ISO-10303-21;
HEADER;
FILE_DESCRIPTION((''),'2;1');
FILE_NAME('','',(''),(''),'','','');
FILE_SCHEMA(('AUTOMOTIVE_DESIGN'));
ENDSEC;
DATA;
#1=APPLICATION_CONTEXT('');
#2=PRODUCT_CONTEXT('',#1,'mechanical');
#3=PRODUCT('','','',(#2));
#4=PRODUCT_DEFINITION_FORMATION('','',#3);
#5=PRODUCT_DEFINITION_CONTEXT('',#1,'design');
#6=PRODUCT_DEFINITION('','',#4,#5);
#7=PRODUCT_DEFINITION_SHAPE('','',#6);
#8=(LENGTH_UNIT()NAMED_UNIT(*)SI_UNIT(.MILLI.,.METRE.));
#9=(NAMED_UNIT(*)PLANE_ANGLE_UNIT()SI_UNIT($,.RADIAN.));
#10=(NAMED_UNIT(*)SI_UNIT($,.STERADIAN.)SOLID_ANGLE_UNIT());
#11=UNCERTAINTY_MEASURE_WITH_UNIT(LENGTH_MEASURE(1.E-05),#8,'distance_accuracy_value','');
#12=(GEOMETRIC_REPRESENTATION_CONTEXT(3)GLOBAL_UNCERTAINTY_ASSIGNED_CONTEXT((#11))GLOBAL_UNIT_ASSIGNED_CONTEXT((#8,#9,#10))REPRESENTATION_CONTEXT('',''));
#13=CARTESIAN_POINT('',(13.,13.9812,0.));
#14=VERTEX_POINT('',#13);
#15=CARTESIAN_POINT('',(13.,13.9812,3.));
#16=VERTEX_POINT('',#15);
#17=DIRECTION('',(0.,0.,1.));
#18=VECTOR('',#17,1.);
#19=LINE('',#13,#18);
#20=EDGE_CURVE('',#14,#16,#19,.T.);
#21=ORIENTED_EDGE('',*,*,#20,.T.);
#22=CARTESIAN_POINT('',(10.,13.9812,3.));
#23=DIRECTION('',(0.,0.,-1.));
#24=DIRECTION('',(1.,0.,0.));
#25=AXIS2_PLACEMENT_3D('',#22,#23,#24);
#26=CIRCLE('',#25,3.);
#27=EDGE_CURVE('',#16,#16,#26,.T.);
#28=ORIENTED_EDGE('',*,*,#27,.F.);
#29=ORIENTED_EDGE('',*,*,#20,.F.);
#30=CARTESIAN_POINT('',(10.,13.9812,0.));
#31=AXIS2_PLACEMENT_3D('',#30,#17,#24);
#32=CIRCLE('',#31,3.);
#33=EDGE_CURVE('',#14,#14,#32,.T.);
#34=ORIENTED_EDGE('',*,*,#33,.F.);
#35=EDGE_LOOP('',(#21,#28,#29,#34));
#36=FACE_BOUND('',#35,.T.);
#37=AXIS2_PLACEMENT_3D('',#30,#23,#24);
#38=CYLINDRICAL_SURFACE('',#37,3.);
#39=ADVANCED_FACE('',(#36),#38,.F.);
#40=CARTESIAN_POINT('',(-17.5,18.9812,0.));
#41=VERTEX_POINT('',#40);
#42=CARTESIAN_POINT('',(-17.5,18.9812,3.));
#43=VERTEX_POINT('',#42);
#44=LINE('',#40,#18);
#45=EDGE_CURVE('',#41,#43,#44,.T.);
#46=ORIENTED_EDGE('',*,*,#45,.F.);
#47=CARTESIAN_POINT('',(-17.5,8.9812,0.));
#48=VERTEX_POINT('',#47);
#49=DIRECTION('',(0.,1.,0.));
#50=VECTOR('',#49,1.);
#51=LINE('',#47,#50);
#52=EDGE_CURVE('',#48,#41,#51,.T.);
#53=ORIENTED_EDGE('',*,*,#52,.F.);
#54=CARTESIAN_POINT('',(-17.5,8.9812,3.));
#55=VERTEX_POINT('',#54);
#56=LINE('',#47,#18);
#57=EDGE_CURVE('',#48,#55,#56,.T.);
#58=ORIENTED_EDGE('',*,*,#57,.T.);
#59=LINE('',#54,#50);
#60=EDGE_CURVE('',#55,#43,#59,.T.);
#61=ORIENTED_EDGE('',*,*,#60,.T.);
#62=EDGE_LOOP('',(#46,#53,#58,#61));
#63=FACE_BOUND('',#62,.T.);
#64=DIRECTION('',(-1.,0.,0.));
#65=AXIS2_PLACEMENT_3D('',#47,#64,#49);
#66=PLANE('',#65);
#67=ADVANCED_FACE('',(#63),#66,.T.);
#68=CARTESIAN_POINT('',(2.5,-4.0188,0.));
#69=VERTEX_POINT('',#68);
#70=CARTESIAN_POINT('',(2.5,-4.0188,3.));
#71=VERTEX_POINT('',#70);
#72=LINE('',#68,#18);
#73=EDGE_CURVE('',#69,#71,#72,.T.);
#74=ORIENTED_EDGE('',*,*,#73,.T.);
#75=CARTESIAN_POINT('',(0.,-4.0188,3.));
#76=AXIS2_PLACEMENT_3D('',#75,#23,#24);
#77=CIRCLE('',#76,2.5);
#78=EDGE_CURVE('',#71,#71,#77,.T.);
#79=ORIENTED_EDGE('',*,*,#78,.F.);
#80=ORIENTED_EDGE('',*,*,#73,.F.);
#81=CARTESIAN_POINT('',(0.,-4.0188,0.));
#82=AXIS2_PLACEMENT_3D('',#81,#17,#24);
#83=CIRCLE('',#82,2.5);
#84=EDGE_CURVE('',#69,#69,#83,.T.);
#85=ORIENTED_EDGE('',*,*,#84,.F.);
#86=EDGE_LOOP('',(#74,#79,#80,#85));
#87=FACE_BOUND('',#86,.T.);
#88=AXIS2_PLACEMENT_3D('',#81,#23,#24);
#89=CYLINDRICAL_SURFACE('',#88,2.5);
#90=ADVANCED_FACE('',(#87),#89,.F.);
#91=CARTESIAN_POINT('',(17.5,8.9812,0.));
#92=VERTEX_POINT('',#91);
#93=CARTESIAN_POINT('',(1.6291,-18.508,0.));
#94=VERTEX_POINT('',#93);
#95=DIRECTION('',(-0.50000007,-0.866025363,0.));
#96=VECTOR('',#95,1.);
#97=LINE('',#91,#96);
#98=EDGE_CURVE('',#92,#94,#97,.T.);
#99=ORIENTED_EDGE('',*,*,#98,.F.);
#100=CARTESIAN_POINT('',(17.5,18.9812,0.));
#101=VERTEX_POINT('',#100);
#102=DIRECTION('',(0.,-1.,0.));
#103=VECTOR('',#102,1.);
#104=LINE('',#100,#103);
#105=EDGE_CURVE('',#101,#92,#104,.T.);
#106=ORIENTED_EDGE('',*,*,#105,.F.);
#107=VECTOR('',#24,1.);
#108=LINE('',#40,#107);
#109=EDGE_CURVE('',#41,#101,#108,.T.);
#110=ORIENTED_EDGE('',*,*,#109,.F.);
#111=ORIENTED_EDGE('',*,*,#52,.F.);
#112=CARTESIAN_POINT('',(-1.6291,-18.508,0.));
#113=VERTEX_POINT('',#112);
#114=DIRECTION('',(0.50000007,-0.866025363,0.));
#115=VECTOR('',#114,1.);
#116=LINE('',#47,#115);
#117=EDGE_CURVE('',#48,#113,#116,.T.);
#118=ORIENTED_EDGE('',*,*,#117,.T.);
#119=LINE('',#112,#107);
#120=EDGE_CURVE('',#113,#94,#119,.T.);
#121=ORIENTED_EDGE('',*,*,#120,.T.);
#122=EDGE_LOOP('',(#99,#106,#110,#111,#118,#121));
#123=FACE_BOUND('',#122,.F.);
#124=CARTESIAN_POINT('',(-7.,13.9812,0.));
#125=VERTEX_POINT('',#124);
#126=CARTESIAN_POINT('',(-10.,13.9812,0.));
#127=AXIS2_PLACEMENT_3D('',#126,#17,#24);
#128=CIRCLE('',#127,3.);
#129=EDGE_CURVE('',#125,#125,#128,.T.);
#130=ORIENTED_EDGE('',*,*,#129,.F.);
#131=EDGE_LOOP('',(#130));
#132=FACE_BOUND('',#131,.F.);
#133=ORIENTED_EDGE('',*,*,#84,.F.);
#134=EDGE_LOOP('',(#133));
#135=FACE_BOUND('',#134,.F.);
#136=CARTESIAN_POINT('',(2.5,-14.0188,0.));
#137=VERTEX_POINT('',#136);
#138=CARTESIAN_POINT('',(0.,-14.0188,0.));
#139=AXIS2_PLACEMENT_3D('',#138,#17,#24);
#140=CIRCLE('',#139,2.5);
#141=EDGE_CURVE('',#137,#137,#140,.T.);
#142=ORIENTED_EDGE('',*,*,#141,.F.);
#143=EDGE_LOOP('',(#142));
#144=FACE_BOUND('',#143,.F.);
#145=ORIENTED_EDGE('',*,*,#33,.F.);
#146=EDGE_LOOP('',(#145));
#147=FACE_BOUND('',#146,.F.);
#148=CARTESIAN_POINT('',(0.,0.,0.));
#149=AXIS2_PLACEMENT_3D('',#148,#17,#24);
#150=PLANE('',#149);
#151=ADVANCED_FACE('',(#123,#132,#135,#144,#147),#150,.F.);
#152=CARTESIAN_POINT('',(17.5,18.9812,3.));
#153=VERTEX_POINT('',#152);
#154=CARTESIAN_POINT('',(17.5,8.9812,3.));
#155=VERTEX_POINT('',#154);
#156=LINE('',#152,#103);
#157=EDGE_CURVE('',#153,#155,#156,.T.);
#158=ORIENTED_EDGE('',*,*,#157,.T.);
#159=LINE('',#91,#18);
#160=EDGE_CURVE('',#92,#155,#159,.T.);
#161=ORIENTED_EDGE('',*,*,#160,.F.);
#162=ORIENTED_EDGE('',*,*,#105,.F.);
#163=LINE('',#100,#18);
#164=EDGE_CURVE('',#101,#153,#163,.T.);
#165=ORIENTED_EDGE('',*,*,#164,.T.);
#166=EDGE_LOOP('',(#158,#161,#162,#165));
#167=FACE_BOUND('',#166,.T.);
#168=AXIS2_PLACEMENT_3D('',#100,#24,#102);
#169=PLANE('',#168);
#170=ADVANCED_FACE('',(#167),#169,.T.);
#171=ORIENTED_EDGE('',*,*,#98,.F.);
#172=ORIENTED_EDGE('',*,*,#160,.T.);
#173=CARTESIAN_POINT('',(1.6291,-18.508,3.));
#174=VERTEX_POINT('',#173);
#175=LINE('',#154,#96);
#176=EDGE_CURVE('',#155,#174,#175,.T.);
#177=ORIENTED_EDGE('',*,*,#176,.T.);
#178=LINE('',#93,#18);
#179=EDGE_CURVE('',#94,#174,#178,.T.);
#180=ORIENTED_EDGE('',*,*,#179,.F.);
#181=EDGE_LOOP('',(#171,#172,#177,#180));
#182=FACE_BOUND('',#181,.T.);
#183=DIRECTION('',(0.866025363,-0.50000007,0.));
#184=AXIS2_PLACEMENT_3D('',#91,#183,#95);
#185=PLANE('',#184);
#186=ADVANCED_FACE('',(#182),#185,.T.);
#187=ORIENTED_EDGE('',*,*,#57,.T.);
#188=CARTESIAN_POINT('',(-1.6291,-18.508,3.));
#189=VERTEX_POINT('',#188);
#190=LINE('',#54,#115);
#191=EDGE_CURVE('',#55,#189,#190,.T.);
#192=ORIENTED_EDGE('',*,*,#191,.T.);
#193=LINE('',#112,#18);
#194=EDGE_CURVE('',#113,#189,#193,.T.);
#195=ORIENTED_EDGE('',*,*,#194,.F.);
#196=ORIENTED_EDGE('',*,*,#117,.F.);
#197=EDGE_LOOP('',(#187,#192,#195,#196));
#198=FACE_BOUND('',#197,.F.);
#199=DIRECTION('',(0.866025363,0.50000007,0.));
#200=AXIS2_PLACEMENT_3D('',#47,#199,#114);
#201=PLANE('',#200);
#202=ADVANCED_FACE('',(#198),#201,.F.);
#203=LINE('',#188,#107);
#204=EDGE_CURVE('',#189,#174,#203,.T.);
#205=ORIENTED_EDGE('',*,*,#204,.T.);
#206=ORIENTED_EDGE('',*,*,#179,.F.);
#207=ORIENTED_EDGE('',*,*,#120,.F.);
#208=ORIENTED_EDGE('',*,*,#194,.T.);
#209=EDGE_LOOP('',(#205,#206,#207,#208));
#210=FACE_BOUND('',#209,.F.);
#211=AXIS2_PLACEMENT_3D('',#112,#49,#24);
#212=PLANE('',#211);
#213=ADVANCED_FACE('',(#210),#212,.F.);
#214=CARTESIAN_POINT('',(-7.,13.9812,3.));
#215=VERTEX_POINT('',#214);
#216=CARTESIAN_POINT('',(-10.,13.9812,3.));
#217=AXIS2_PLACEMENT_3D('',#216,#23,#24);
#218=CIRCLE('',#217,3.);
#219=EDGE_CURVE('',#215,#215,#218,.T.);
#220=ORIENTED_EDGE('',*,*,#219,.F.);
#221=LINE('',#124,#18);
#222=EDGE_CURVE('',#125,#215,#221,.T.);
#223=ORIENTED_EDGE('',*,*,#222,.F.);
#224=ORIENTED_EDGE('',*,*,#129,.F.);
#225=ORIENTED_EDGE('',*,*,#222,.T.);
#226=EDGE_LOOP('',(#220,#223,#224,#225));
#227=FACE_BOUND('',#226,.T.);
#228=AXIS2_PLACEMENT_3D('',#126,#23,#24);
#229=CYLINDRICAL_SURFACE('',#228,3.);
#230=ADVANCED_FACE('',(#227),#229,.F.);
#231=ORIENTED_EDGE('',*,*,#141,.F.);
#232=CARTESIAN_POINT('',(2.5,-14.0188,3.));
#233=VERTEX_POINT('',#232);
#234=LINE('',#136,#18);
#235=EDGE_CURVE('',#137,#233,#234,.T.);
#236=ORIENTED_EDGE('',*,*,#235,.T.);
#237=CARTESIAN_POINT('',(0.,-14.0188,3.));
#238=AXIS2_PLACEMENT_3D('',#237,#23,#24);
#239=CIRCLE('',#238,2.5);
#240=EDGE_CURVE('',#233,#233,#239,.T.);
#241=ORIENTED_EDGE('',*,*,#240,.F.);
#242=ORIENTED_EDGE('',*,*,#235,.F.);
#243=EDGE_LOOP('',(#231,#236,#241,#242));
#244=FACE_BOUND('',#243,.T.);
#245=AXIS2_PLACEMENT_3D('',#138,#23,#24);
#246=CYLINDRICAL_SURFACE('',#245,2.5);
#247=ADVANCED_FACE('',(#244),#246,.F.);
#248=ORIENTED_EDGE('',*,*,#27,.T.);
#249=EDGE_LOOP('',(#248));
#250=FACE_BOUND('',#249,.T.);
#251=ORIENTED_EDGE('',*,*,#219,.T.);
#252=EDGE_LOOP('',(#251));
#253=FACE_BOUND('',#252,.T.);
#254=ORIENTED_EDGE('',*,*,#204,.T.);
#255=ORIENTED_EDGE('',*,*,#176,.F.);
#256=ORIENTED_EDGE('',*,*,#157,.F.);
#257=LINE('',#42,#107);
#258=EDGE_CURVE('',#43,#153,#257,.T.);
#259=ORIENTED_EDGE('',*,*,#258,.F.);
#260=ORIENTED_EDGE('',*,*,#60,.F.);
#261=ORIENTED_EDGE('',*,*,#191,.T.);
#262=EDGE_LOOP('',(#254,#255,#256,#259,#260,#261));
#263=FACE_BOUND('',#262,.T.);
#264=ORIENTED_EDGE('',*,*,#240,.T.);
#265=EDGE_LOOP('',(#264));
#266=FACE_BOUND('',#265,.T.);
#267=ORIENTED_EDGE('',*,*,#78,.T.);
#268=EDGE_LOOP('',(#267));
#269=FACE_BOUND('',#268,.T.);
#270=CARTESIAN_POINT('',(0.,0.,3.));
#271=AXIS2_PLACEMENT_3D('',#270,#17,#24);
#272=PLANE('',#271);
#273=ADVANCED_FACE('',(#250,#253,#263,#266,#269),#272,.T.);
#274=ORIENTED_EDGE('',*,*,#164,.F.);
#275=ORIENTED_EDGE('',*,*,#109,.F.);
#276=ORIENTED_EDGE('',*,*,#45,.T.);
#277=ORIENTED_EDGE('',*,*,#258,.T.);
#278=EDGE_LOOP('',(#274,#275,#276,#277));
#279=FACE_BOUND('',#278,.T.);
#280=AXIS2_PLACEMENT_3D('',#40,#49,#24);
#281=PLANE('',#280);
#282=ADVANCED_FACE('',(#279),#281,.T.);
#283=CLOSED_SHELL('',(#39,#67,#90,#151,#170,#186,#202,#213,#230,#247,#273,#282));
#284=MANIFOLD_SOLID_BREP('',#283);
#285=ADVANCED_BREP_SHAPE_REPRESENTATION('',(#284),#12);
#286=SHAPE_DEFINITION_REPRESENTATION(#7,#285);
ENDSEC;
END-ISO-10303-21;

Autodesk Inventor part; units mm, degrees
ref_plane "YZ Plane" through (0, 0, 0) normal (1, 0, 0) x (0, 1, 0)
sketch "Sketch1" plane through (0, 0, 0) normal (0, 0, 1) x (1, 0, 0)
  circle A0 centre (-10, 13.9812) radius 3
  circle A1 centre (10, 13.9812) radius 3
  circle A2 centre (0, -4.0188) radius 2.5
  circle A3 centre (0, -14.0188) radius 2.5
  line L0 (-1.6291, -18.508) -> (1.6291, -18.508)
  line L1 (-17.5, 8.9812) -> (-1.6291, -18.508)
  line L2 (-17.5, 8.9812) -> (17.1989, 8.9812) construction
  line L3 (17.5, 8.9812) -> (1.6291, -18.508)
  line L4 (17.5, 8.9812) -> (62.1106, 8.9812) construction
  line L5 (-17.5, 8.9812) -> (-17.5, 18.9812)
  line L6 (-17.5, 18.9812) -> (17.5, 18.9812)
  line L7 (17.5, 18.9812) -> (17.5, 8.9812)
  point P0 (0, -18.508)
  dimension "d1" = 5
  dimension "d2" = 10
  dimension "d3" = 6
  dimension "d4" = 10
  dimension "d5" = 60
  dimension "d10" = 35
  dimension "d11" = 17.5
  dimension "d13" = 3.2582
  dimension "d17" = 120
  dimension "d20" = 10
  dimension "d22" = 23
  dimension "d26" = 5
extrude "Extrusion1" add sketch "Sketch1" along normal blind 3
ref_plane "Work Plane4" through (-10, 13.9812, 0) normal (1, 0, 0) x (0, 0, -1)
ref_plane "Work Plane1" through (-13, 13.9812, 0) normal (-1, 0, 0) x (0, 0, 1)
ref_plane "Work Plane3" through (-7, 13.9812, 0) normal (1, 0, 0) x (0, 0, -1)
mirror "Mirror1" about plane through (0, 0, 0) normal (1, 0, 0)
ref_plane "Work Plane10" through (-10, 16.9812, 0) normal (0, 1, 0) x (1, 0, 0)
ref_plane "Work Plane12" through (-10, 14.4812, 0) normal (0, 1, 0) x (1, 0, 0)
ref_plane "Work Plane11" through (-10, 11.9812, 0) normal (0, 1, 0) x (1, 0, 0)
ref_plane "Work Plane5" through (10, 13.9812, 0) normal (1, 0, 0) x (0, 0, -1)
equation "\"d11\" = 0.5 * d10"
properties part number "Load Cell Connector to Extrusion Bar"
